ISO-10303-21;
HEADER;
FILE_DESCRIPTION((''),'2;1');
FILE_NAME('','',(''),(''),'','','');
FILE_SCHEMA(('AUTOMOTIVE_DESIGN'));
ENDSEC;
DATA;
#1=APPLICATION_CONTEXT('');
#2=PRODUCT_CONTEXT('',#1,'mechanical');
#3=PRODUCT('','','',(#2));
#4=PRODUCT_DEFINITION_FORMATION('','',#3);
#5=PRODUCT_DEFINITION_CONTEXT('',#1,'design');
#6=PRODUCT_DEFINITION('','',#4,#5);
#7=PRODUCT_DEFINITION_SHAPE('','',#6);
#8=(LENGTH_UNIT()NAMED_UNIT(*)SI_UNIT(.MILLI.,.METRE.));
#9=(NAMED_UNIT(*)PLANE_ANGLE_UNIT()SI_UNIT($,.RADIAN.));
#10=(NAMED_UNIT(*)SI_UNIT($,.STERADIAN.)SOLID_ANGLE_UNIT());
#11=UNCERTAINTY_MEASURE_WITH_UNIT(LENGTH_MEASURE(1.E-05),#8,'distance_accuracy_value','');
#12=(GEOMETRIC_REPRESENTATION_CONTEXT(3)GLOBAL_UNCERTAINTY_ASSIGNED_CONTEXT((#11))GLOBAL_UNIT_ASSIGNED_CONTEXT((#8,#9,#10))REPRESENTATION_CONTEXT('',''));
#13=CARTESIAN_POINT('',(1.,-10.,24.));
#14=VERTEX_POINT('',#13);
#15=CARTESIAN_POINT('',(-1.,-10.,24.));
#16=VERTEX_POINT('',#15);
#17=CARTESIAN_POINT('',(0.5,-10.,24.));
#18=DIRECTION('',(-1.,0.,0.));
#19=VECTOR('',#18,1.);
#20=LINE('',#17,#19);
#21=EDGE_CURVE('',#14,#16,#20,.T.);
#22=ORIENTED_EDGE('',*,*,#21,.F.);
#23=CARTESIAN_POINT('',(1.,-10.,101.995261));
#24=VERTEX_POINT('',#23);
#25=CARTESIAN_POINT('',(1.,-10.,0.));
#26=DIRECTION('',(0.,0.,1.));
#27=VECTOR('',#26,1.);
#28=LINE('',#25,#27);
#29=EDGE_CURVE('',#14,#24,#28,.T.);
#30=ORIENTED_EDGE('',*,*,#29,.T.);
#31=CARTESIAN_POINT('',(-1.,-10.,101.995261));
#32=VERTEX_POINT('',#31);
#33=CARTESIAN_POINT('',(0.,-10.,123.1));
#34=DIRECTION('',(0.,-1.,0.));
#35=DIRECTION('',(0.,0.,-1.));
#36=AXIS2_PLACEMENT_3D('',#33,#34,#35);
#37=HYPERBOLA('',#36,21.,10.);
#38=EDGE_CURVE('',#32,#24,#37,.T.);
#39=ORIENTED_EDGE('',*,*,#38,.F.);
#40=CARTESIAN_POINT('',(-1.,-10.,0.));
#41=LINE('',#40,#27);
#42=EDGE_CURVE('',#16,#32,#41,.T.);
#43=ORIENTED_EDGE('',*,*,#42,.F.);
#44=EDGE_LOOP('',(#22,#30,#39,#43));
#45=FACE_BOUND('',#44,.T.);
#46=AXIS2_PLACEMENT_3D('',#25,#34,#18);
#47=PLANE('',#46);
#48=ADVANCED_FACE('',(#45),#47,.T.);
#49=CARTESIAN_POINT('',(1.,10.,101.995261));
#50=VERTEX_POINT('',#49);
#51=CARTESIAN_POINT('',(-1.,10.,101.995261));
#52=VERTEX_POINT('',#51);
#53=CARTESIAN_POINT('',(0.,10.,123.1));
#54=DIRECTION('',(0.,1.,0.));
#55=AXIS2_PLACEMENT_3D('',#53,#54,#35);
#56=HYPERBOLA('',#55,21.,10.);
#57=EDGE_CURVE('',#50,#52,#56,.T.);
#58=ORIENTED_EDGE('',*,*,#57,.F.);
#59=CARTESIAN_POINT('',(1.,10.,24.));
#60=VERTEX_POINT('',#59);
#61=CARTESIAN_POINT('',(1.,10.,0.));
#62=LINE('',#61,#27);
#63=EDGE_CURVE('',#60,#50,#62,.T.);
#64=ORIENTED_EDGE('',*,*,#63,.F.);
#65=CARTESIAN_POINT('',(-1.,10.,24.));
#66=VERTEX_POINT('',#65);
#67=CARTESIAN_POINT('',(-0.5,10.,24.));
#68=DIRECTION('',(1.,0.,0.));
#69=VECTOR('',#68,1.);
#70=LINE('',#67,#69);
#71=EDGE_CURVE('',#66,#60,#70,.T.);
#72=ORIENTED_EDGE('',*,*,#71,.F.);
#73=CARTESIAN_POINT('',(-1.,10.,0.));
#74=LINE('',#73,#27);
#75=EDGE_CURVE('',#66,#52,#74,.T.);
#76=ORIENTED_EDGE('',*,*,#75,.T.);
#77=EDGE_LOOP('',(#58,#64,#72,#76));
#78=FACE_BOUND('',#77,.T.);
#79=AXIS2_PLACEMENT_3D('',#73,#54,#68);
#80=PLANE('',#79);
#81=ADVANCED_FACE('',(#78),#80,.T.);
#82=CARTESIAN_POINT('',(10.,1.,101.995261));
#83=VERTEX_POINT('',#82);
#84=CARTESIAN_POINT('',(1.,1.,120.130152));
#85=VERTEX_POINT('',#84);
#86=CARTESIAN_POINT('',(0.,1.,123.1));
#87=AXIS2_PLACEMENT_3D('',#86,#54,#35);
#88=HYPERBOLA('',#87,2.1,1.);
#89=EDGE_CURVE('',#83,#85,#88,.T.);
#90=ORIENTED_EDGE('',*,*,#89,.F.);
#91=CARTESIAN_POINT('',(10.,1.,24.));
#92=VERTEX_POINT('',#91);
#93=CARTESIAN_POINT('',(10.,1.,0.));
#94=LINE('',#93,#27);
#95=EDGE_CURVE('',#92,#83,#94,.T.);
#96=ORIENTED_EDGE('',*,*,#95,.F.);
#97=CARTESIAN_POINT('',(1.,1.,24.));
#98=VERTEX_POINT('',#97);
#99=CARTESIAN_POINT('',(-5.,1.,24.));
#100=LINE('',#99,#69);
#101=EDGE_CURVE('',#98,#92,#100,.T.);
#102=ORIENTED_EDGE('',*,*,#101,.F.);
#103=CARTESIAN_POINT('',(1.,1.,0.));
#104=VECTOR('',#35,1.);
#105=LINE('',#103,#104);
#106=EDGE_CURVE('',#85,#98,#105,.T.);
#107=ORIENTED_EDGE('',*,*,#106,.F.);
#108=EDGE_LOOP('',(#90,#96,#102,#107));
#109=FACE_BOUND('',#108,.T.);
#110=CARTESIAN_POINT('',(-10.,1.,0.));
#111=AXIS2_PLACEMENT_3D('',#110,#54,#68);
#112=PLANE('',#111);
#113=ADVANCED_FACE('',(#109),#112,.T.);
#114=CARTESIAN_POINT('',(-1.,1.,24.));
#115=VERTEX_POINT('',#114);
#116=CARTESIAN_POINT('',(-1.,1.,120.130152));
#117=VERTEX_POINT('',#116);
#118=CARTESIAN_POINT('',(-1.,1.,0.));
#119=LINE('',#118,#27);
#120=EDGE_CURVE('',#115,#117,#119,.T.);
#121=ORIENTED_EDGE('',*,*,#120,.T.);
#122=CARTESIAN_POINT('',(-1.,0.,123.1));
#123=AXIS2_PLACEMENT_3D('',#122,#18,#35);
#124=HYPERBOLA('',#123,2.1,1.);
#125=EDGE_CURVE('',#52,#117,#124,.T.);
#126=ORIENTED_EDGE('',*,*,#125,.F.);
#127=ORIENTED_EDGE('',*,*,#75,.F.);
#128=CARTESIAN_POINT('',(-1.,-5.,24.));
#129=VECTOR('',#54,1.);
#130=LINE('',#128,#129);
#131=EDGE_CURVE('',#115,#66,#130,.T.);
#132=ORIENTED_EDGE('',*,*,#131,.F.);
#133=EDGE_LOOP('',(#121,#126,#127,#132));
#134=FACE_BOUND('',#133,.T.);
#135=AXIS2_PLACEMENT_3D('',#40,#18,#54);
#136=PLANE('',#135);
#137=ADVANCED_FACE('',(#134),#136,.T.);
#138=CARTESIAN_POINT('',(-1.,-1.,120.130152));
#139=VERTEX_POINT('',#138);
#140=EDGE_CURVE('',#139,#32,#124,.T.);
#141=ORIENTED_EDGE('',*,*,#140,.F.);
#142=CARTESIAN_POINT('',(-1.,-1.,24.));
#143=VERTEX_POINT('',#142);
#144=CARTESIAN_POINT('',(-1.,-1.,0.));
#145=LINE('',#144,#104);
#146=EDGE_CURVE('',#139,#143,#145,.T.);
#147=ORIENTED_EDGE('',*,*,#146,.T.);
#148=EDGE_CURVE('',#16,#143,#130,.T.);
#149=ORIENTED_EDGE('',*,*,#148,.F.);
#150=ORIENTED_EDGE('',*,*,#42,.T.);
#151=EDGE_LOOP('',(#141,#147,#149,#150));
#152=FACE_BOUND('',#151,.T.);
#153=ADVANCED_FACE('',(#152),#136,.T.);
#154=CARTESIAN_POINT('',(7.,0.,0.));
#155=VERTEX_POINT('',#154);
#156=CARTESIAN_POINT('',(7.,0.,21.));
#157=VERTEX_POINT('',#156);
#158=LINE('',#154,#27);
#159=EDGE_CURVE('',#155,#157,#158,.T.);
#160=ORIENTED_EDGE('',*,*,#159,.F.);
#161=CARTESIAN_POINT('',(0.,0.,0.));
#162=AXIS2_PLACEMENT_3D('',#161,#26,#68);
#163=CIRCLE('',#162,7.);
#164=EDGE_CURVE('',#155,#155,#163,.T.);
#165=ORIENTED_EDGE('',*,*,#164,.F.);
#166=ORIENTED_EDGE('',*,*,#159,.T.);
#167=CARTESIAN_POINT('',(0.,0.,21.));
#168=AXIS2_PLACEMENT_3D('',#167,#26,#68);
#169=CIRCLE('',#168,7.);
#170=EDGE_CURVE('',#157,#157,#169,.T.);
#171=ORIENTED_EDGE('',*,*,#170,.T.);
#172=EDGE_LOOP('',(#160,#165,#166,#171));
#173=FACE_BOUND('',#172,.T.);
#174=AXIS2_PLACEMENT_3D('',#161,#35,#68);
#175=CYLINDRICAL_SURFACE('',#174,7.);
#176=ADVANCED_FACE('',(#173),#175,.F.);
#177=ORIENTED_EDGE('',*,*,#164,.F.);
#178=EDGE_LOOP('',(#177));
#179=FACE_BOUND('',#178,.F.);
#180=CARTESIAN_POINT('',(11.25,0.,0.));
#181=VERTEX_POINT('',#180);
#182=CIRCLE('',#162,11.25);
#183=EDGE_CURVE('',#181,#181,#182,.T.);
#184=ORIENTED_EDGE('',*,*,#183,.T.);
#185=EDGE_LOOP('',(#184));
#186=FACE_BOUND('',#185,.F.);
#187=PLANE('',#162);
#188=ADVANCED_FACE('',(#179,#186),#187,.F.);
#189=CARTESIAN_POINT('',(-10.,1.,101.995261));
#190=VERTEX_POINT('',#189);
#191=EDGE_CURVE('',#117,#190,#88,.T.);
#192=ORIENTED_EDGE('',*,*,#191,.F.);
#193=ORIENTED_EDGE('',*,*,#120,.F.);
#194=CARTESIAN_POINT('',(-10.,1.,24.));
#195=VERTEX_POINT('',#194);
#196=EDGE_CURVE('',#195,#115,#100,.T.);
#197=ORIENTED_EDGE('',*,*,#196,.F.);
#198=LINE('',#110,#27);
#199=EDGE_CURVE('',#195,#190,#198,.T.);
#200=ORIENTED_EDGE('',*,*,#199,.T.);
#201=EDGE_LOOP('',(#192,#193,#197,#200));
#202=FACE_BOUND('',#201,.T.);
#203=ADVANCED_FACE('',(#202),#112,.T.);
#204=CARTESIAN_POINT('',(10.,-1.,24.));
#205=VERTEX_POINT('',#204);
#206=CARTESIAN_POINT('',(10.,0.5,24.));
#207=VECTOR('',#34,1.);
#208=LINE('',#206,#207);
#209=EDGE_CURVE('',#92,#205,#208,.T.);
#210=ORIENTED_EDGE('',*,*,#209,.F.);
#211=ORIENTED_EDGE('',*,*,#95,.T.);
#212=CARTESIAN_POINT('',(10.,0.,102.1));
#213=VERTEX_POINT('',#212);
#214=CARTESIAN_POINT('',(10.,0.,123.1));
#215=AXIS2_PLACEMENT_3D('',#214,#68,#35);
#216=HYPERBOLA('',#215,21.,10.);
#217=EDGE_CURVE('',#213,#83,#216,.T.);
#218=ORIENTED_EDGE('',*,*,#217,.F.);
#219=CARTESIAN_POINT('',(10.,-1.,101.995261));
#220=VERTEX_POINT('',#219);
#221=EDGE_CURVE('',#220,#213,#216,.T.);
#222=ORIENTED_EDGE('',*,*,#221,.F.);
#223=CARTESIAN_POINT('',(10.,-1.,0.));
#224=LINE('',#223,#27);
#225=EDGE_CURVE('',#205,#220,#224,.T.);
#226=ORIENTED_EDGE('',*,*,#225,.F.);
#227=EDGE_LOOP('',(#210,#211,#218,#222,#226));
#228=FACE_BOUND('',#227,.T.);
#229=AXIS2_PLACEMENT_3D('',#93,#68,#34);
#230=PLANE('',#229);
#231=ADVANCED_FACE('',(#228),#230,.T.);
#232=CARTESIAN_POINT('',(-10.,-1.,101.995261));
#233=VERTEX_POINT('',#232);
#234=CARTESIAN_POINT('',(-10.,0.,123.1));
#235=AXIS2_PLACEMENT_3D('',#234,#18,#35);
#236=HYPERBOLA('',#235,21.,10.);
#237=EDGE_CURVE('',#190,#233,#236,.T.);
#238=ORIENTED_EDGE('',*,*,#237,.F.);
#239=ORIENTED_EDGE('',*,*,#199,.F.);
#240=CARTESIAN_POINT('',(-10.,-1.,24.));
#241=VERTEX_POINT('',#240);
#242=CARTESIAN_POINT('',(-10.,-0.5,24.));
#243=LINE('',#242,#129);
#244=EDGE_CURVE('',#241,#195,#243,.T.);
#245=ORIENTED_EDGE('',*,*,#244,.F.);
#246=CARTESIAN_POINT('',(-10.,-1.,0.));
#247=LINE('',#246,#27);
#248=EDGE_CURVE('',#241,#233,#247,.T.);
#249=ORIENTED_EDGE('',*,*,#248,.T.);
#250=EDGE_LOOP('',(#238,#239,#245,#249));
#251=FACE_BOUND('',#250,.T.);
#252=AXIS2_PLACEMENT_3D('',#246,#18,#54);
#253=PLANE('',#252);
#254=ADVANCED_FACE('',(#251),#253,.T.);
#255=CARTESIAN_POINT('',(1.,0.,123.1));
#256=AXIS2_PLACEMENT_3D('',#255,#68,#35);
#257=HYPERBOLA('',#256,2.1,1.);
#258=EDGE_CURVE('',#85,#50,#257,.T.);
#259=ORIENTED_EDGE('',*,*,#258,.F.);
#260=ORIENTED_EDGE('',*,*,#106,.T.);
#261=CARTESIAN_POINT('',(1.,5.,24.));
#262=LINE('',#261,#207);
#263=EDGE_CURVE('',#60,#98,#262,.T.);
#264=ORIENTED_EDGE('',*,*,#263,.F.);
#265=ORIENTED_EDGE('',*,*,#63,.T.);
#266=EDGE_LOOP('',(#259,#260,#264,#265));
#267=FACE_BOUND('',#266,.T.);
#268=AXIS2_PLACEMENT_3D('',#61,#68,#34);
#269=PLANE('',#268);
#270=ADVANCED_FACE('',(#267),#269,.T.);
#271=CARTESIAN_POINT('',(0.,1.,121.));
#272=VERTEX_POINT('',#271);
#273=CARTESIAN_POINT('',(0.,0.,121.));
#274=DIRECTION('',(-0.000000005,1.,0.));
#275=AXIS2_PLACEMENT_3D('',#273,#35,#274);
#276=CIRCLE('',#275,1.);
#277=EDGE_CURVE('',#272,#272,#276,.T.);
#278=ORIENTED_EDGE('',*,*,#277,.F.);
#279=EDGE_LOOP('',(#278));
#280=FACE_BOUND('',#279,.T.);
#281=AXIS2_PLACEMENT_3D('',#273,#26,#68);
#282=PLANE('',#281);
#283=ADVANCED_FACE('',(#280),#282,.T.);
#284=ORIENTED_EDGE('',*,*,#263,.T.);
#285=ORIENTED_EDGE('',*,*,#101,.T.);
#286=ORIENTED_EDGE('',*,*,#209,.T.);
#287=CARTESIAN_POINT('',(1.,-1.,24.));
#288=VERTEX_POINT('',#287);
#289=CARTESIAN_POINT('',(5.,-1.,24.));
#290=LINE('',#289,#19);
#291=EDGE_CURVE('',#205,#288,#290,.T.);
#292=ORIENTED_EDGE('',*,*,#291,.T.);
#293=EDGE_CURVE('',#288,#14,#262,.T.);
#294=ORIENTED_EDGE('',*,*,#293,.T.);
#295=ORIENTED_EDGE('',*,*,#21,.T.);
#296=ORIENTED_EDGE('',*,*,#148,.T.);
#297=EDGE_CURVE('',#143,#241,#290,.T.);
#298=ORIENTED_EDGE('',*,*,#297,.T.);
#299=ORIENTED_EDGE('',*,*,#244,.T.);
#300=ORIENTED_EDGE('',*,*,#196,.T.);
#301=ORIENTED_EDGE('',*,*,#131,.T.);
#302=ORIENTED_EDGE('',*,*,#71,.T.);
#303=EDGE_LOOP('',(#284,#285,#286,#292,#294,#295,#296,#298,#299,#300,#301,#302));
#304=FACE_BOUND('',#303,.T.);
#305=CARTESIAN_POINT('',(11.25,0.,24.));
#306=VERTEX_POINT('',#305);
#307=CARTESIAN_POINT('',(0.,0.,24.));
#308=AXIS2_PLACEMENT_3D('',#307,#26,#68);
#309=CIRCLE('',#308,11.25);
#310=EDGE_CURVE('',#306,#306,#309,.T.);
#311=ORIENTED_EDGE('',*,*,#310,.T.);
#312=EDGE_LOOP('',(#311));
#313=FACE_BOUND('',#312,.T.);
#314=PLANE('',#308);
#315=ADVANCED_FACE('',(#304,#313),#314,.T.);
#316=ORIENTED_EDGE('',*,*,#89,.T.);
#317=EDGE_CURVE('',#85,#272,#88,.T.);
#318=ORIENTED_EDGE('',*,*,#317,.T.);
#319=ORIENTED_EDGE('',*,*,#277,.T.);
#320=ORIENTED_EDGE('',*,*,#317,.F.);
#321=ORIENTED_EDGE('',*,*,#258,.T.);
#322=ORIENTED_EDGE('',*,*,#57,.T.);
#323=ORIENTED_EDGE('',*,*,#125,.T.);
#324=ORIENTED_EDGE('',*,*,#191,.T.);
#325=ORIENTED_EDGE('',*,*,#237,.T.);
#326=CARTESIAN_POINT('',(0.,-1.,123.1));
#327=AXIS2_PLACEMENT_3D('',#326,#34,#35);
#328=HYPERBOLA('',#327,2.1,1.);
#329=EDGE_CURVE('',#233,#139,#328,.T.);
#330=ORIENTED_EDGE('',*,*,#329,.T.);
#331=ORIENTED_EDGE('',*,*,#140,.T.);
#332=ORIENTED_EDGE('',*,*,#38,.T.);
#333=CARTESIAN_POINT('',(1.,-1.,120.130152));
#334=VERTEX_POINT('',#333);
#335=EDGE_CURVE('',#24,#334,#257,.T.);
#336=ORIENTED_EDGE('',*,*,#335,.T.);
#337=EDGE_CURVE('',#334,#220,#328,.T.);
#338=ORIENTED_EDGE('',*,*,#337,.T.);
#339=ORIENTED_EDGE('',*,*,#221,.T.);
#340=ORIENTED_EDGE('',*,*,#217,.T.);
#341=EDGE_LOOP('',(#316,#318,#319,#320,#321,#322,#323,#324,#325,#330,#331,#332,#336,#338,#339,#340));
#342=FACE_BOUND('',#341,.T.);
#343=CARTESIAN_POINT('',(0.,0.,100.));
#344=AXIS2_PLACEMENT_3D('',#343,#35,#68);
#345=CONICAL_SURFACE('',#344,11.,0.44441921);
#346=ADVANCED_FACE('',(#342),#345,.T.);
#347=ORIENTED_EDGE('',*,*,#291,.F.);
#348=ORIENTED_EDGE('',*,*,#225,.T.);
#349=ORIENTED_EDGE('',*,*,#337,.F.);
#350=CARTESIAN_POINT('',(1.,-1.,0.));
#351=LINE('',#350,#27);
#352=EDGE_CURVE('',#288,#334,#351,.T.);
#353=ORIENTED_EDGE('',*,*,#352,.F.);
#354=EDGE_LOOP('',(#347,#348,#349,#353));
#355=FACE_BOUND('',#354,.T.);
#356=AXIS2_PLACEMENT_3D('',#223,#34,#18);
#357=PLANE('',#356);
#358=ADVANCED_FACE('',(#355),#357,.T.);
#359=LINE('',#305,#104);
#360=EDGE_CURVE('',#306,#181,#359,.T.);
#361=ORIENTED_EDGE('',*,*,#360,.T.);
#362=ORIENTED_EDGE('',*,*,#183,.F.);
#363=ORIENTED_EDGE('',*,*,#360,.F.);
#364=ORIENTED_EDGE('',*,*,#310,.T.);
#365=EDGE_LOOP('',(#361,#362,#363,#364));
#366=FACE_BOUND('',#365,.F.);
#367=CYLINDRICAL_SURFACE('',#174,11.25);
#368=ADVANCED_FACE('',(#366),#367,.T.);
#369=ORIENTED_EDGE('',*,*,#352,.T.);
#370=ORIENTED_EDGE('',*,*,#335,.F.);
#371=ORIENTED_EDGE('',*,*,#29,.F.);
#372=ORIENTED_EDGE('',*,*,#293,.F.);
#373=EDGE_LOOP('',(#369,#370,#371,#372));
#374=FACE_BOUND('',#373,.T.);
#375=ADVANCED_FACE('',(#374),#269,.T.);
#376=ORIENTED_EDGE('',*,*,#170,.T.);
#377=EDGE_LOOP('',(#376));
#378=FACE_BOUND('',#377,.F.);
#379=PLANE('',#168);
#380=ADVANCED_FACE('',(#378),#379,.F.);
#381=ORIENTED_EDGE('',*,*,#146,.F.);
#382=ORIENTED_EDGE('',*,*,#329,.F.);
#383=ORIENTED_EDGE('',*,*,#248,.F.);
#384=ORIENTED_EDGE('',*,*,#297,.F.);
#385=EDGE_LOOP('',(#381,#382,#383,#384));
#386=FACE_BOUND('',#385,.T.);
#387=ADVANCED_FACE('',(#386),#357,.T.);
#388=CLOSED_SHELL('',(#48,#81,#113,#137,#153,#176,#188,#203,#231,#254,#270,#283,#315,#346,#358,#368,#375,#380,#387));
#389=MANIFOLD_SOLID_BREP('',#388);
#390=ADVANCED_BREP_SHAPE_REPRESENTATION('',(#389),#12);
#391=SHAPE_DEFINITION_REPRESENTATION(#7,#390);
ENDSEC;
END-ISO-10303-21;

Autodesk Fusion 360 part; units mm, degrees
sketch "Sketch1" plane through (0, 0, 0) normal (0, 0, 1) x (1, 0, 0)
  circle A0 centre (0, 0) radius 11.25
  dimension "d1" = 22.5
extrude "Extrude1" add sketch "Sketch1" along normal blind 21 makes body 1
sketch "Sketch2" plane through (0, 0, 0) normal (0, 0, 1) x (1, 0, 0)
  line L0 (-10, 1) -> (10, 1)
  line L1 (10, 1) -> (10, -1)
  line L2 (10, -1) -> (-10, -1)
  line L3 (-10, -1) -> (-10, 1)
extrude "Extrude2" add sketch "Sketch2" along normal blind 121 separate body makes body 2
sketch "Sketch3" plane through (0, 0, 0) normal (0, 0, 1) x (1, 0, 0)
  line L0 (-1, 10) -> (1, 10)
  line L1 (1, 10) -> (1, -10)
  line L2 (1, -10) -> (-1, -10)
  line L3 (-1, -10) -> (-1, 10)
extrude "Extrude3" add sketch "Sketch3" along normal blind 121 separate body makes body 3
sketch "Sketch5" plane through (0, 0, 0) normal (0, 1, 0) x (1, 0, 0)
  line L0 (0, -123) -> (11, -123)
  line L1 (11, -123) -> (11, -100)
  line L2 (11, -100) -> (1, -121)
  line L3 (1, -121) -> (0, -121)
  line L4 (0, -121) -> (0, -123)
revolve "Revolve1" cut sketch "Sketch5" angle 360 about axis through (0, 0, 1.75) along (0, 0, 1) bodies 2 3
sketch "Sketch6" plane through (0, 0, 0) normal (0, 0, 1) x (1, 0, 0)
  circle A0 centre (0, 0) radius 7
  dimension "d9" = 14
extrude "Extrude4" add 1 faces at (1.0392, -6.3884, 21) along direction (0, 0, 1) blind 3 on bodies 1 bodies 1 2 3
extrude "Extrude5" cut sketch "Sketch6" along normal blind 21 bodies 1
